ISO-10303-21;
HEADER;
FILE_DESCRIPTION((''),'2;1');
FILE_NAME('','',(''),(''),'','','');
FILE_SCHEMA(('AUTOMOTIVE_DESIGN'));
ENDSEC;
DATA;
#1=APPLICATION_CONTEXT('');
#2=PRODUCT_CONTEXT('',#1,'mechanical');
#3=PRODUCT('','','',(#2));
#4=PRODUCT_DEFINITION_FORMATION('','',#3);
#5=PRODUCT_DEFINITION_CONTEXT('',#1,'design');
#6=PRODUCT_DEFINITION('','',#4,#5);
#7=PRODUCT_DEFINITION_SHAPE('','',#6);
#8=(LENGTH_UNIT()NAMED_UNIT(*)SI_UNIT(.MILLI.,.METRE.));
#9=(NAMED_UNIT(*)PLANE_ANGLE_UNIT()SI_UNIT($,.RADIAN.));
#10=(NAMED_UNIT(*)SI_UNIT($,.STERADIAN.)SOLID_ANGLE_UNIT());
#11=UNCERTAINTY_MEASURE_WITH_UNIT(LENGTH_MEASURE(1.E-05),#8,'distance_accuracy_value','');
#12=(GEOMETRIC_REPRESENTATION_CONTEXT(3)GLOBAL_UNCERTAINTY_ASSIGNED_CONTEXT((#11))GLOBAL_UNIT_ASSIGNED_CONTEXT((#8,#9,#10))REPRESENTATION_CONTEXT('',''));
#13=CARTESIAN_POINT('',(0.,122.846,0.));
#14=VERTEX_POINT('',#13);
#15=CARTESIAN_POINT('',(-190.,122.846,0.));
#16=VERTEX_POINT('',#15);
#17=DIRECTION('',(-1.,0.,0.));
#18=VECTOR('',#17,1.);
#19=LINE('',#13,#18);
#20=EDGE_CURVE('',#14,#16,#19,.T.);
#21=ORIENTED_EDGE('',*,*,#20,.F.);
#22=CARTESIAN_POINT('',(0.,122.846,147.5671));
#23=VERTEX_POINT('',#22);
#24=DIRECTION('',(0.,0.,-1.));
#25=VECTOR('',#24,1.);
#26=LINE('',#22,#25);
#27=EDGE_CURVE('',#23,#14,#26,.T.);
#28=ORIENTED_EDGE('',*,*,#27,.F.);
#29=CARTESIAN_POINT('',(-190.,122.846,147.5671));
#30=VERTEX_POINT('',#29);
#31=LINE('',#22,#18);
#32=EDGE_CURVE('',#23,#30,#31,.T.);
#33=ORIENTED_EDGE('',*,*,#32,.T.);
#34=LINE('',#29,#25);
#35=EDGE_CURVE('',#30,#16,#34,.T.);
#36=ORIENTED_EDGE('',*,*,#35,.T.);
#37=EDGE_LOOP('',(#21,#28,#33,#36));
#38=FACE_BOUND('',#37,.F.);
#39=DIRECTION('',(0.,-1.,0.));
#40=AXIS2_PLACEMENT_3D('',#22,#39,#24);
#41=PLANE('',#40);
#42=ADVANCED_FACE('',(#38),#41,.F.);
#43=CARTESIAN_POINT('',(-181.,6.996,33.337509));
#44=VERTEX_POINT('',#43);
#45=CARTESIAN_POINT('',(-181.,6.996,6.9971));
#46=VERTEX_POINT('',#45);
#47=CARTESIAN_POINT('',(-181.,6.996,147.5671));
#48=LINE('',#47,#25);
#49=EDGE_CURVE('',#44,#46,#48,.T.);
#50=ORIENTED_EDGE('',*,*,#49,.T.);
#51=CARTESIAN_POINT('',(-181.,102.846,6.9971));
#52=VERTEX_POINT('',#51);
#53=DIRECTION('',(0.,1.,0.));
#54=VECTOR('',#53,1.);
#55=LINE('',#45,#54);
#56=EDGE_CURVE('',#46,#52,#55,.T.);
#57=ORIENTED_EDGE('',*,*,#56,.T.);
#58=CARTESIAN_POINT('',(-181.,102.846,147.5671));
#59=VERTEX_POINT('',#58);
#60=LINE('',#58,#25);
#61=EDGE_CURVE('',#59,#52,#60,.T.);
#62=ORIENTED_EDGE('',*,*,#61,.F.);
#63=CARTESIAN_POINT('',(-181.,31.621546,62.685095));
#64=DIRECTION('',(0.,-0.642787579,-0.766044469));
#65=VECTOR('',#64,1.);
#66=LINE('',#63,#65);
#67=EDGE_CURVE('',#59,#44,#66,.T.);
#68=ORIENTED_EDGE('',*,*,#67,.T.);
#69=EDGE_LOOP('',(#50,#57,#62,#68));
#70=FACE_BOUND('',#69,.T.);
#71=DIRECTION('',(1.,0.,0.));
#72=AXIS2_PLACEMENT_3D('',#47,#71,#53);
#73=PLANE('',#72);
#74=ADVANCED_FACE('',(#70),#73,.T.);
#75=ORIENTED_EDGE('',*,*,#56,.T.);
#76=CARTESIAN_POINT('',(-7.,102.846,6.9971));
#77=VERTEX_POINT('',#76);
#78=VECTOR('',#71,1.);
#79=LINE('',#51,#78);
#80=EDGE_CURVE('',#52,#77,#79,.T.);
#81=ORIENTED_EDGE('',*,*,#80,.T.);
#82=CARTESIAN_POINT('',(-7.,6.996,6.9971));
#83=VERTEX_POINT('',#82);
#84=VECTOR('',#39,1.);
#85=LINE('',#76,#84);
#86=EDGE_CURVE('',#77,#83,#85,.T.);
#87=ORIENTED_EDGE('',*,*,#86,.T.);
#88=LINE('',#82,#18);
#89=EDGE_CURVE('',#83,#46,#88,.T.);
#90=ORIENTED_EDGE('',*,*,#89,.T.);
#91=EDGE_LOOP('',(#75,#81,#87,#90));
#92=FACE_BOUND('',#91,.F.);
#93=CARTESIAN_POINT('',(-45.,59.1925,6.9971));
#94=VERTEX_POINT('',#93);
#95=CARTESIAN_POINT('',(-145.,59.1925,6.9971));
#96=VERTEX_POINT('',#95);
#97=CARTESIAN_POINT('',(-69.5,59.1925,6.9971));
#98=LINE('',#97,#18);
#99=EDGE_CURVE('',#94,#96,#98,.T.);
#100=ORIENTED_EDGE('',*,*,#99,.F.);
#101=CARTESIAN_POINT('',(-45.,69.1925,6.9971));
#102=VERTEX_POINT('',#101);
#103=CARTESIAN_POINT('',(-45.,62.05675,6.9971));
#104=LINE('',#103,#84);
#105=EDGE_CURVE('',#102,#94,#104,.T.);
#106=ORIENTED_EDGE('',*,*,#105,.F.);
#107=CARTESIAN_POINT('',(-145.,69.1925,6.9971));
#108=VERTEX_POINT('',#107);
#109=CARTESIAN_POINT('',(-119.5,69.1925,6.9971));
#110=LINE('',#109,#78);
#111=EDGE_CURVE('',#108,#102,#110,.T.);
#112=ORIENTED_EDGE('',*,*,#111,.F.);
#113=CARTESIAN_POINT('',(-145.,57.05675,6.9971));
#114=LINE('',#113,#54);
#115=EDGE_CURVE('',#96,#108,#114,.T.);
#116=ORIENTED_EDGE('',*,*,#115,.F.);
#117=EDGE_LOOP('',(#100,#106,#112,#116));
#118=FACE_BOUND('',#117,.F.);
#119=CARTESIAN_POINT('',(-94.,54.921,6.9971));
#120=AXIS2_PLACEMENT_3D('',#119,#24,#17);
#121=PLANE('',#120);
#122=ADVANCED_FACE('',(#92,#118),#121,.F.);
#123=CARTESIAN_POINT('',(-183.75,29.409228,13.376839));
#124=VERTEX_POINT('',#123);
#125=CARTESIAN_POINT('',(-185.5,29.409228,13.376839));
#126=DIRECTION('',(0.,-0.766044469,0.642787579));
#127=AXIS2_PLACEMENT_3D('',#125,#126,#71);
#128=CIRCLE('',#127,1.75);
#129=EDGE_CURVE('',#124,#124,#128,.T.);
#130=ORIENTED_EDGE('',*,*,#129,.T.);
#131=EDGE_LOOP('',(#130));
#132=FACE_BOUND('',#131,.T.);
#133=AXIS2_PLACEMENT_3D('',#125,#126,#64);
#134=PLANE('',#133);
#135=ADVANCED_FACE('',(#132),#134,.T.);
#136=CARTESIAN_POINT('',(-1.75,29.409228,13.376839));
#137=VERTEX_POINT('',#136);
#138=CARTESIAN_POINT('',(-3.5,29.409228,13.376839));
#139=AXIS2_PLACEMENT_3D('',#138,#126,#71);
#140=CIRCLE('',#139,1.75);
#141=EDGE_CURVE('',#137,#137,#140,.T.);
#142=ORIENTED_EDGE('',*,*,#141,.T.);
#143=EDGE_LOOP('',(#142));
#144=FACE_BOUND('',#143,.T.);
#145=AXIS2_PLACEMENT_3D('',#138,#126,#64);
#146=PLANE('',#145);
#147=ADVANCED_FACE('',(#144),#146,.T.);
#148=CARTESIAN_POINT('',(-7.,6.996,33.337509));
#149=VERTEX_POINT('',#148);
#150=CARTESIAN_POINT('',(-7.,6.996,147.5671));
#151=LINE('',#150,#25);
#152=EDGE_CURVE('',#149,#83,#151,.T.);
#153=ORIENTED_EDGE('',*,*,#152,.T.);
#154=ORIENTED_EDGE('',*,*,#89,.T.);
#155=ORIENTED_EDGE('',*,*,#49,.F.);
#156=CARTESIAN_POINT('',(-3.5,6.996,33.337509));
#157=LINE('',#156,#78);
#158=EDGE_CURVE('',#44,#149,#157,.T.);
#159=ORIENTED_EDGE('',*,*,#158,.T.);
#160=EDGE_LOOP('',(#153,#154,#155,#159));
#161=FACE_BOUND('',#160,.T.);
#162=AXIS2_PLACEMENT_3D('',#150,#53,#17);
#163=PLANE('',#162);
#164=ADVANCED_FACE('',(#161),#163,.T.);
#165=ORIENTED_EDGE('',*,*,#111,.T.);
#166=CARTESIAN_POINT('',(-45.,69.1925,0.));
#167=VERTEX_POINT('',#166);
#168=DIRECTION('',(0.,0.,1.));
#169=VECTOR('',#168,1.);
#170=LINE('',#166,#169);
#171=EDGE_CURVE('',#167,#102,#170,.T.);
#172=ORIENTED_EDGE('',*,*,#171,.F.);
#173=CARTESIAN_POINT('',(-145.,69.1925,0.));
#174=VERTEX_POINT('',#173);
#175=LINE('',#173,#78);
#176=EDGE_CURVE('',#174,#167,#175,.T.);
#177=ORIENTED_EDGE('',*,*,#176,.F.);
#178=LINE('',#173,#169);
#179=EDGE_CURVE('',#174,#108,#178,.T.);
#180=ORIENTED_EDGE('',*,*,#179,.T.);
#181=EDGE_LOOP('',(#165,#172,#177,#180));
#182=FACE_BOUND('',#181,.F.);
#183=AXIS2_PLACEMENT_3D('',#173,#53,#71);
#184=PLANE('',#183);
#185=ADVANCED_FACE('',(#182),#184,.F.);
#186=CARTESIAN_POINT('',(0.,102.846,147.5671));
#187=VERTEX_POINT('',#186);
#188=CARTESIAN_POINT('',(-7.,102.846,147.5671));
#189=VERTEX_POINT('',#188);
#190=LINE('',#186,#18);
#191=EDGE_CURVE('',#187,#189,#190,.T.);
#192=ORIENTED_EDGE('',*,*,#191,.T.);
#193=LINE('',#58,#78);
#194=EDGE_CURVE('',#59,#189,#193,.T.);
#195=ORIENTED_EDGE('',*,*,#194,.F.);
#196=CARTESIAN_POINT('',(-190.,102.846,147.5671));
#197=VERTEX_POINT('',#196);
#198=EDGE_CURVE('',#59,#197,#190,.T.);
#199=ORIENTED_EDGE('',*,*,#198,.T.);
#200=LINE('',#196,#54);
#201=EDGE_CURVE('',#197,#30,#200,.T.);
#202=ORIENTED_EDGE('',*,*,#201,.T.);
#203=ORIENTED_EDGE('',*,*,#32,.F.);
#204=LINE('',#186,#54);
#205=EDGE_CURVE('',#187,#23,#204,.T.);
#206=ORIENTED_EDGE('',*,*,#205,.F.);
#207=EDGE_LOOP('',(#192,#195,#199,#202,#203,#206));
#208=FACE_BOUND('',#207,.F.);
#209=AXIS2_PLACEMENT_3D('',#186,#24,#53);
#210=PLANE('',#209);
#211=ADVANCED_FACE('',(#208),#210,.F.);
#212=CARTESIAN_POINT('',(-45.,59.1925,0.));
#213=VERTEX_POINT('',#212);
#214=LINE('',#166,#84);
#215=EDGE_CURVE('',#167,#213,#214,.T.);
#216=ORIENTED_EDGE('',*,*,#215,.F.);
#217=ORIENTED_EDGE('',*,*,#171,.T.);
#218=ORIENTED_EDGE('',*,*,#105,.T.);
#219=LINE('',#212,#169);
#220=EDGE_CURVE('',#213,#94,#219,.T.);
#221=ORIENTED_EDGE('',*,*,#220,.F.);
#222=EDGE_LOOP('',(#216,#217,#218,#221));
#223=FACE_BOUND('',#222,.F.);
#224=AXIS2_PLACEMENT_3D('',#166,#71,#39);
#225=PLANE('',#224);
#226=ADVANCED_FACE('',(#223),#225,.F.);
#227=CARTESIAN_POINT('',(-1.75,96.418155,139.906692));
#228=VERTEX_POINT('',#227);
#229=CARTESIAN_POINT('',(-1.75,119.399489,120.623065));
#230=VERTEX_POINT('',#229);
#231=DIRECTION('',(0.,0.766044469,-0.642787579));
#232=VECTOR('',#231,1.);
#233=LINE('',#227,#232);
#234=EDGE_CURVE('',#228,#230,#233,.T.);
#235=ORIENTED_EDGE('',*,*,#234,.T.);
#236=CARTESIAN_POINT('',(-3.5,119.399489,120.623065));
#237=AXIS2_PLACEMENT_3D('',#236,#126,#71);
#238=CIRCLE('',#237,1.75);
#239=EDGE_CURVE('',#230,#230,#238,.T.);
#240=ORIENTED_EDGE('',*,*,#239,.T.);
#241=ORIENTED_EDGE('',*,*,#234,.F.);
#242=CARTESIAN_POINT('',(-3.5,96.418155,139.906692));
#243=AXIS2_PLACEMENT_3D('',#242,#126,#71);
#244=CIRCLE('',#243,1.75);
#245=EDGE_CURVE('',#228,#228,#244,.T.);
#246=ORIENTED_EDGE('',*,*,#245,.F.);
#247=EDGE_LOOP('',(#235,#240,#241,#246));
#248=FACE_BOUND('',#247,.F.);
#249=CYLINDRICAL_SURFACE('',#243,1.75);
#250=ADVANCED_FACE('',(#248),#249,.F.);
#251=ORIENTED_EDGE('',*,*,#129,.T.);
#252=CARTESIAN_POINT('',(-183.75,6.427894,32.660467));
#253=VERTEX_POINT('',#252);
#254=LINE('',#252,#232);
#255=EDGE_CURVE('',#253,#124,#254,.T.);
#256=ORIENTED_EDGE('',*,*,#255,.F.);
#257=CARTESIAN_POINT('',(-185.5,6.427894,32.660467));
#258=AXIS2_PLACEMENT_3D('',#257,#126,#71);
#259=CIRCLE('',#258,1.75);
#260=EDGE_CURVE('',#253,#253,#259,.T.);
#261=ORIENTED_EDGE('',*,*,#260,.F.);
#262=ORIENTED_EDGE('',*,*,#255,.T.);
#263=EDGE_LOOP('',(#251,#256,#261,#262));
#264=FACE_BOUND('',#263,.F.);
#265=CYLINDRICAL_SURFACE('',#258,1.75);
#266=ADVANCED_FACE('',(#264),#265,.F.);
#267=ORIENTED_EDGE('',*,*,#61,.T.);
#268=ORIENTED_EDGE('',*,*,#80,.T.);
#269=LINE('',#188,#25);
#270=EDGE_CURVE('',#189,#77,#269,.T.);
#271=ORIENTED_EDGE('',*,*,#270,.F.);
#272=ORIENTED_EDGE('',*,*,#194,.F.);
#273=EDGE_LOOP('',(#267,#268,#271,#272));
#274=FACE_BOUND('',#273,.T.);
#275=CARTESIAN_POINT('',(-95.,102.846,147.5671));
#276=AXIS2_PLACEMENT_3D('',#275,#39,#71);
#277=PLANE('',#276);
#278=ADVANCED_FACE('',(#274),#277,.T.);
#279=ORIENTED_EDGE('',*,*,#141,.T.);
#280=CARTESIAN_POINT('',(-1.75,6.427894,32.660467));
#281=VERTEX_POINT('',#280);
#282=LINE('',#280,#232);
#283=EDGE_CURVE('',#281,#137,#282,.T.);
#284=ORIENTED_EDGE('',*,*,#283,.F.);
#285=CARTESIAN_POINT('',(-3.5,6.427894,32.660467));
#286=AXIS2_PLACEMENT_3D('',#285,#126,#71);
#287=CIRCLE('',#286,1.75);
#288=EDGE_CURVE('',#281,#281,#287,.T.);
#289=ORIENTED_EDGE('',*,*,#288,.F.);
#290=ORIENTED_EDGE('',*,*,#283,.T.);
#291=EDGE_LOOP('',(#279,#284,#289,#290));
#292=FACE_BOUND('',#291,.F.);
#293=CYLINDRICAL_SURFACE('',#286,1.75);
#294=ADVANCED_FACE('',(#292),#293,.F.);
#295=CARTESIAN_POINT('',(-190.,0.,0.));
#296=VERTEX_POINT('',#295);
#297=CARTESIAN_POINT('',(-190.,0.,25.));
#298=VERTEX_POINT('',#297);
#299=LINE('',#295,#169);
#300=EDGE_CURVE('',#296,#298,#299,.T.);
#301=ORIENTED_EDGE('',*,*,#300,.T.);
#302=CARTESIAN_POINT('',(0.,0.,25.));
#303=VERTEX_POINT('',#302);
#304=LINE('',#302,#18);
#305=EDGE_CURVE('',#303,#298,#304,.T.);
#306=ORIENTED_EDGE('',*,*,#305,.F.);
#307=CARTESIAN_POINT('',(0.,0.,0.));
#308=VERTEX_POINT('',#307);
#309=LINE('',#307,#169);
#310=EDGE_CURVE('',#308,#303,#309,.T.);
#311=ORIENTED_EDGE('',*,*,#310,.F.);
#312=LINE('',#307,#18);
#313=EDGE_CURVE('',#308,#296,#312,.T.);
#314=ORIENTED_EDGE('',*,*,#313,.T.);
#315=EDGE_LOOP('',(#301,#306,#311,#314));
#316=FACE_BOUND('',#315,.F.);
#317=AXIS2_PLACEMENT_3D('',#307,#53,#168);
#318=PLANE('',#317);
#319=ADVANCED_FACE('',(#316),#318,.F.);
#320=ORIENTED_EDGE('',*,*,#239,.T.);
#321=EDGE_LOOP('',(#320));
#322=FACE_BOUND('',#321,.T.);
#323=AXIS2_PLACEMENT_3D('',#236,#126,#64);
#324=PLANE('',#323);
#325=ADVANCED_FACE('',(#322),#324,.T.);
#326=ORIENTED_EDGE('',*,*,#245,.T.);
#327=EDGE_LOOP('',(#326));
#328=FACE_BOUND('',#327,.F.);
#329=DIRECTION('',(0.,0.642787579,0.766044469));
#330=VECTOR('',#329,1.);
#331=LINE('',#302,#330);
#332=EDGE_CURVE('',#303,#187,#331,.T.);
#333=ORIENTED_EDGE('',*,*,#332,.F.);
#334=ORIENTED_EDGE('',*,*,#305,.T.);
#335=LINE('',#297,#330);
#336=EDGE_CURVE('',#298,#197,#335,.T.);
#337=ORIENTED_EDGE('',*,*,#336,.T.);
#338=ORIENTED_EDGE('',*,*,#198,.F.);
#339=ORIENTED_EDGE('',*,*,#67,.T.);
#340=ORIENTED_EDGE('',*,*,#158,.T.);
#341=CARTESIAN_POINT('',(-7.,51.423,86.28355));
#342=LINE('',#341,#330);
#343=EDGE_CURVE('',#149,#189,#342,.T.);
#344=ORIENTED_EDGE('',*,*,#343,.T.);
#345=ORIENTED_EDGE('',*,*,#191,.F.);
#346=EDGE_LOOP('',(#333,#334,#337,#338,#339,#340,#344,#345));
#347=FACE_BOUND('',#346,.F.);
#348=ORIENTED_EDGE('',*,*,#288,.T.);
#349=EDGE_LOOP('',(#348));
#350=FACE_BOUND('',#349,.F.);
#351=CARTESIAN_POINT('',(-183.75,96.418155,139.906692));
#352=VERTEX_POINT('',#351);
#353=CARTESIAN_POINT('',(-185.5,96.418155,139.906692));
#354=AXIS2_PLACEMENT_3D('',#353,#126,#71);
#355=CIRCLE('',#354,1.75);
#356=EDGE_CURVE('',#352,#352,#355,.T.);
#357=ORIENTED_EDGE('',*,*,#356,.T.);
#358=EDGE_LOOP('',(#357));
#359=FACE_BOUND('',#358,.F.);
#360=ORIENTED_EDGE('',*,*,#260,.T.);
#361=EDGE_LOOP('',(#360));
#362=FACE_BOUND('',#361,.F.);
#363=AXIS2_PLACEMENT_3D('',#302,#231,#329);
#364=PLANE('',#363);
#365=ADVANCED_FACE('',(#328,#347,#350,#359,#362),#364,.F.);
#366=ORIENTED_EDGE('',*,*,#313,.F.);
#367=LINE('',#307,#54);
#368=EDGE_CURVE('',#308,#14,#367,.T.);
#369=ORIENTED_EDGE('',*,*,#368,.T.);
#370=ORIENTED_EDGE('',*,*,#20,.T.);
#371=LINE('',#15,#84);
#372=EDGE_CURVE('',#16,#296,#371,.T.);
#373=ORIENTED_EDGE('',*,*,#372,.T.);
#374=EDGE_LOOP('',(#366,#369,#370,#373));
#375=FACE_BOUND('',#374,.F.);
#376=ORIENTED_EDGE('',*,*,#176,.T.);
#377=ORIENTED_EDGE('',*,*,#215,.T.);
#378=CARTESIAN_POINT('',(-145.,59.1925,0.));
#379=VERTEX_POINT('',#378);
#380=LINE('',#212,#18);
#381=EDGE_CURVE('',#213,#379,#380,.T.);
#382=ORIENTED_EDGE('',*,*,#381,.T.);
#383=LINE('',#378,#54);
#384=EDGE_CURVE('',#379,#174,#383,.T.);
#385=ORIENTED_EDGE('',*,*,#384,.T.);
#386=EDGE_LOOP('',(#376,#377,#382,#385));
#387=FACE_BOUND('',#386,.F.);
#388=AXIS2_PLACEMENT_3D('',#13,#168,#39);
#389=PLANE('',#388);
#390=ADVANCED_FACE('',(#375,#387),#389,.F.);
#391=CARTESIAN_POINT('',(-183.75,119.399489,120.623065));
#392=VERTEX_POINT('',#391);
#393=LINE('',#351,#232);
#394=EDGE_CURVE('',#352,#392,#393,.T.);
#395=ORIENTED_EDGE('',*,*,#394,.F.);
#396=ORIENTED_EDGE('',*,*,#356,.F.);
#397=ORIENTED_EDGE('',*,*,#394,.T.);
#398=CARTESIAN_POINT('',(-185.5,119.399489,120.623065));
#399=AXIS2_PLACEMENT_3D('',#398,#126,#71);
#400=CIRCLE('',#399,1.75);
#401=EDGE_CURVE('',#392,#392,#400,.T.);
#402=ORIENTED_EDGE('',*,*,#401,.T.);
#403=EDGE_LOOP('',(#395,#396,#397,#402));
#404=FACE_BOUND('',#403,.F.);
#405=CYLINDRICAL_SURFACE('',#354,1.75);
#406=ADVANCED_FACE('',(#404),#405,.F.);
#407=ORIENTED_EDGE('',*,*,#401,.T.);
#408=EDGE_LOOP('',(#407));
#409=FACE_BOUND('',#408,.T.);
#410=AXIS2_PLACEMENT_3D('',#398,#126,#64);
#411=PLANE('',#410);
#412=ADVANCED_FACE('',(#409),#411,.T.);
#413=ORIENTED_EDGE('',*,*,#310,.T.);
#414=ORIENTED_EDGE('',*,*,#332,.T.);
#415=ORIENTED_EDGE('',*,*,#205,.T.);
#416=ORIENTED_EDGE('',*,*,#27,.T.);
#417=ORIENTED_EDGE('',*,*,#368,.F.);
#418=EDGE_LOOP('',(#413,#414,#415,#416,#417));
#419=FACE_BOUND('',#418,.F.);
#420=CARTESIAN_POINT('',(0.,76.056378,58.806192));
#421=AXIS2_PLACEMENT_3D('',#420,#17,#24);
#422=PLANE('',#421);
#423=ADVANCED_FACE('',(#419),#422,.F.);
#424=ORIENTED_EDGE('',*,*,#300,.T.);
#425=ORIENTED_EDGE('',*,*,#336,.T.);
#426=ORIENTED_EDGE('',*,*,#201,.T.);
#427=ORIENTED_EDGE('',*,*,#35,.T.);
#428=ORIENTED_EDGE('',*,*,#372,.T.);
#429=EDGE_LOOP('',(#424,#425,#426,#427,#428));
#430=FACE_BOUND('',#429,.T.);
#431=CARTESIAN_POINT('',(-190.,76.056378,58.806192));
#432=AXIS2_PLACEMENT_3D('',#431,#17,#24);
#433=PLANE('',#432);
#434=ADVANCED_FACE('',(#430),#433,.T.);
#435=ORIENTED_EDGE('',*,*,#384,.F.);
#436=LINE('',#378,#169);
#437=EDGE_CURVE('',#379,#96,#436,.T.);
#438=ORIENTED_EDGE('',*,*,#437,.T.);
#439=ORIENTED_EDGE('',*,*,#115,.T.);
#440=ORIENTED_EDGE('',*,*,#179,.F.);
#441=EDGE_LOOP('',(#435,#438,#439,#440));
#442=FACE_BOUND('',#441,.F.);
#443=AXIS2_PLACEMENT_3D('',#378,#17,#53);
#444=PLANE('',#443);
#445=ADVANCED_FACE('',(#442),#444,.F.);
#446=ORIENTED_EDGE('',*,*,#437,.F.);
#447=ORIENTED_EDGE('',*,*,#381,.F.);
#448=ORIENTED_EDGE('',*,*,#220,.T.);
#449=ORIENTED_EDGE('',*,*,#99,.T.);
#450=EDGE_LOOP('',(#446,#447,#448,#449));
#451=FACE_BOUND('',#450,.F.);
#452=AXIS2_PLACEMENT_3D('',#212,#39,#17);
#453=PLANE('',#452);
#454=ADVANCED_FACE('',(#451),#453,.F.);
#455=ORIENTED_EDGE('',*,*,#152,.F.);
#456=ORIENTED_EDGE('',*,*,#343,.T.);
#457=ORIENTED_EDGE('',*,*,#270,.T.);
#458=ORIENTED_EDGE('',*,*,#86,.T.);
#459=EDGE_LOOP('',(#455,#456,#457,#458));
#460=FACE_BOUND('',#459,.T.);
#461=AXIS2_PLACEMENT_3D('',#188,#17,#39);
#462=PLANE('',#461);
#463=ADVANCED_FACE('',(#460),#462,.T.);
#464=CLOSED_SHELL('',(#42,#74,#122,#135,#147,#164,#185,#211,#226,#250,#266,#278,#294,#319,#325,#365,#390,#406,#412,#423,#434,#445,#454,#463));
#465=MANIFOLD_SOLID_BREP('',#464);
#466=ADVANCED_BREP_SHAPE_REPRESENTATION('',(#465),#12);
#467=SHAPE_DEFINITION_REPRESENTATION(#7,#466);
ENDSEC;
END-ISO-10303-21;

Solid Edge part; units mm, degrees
sketch "Sketch1" plane through (0, 0, 0) normal (1, 0, 0) x (0, 1, 0)
  line L0 (0, 25) -> (102.846, 147.5671)
  line L1 (102.846, 147.5671) -> (122.846, 147.5671)
  line L2 (122.846, 147.5671) -> (122.846, 0)
  line L3 (122.846, 0) -> (5.5389, 0)
  line L4 (5.5389, 0) -> (0, 0)
  line L5 (0, 0) -> (0, 25)
extrude "Protrusion1" add sketch "Sketch1" against normal blind 190
sketch "Sketch2" plane through (-95, 112.846, 147.5671) normal (0, 0, 1) x (1, 0, 0)
  line L0 (88, -10) -> (88, -105.85)
  line L1 (88, -105.85) -> (-86, -105.85)
  line L2 (-86, -105.85) -> (-86, -10)
  line L3 (-86, -10) -> (0, -10)
  line L4 (0, -10) -> (88, -10)
extrude "Cutout1" cut sketch "Sketch2" against normal blind 140.57
sketch "Sketch3" plane through (-95, 61.423, 0) normal (0, 0, -1) x (0, 1, 0)
  line L0 (-2.2305, 50) -> (-2.2305, -50)
  line L1 (-2.2305, -50) -> (7.7695, -50)
  line L2 (7.7695, -50) -> (7.7695, 50)
  line L3 (7.7695, 50) -> (-2.2305, 50)
extrude "VaciadoExtruido_3" cut sketch "Sketch3" against normal blind 7
sketch "Sketch4" plane through (-95, 51.423, 86.2836) normal (0, -0.766, 0.6428) x (1, 0, 0)
  circle A0 centre (91.5, 70) radius 1.75
extrude "Cutout2" cut sketch "Sketch4" against normal blind 30
sketch "Sketch5" plane through (-95, 51.423, 86.2836) normal (0, -0.766, 0.6428) x (1, 0, 0)
  circle A0 centre (91.5, -70) radius 1.75
extrude "VaciadoExtruido_14" cut sketch "Sketch5" against normal blind 30
sketch "Sketch6" plane through (-95, 51.423, 86.2836) normal (0, -0.766, 0.6428) x (1, 0, 0)
  circle A0 centre (-90.5, 70) radius 1.75
extrude "VaciadoExtruido_15" cut sketch "Sketch6" against normal blind 30
sketch "Sketch7" plane through (-95, 51.423, 86.2836) normal (0, -0.766, 0.6428) x (1, 0, 0)
  circle A0 centre (-90.5, -70) radius 1.75
extrude "VaciadoExtruido_16" cut sketch "Sketch7" against normal blind 30
